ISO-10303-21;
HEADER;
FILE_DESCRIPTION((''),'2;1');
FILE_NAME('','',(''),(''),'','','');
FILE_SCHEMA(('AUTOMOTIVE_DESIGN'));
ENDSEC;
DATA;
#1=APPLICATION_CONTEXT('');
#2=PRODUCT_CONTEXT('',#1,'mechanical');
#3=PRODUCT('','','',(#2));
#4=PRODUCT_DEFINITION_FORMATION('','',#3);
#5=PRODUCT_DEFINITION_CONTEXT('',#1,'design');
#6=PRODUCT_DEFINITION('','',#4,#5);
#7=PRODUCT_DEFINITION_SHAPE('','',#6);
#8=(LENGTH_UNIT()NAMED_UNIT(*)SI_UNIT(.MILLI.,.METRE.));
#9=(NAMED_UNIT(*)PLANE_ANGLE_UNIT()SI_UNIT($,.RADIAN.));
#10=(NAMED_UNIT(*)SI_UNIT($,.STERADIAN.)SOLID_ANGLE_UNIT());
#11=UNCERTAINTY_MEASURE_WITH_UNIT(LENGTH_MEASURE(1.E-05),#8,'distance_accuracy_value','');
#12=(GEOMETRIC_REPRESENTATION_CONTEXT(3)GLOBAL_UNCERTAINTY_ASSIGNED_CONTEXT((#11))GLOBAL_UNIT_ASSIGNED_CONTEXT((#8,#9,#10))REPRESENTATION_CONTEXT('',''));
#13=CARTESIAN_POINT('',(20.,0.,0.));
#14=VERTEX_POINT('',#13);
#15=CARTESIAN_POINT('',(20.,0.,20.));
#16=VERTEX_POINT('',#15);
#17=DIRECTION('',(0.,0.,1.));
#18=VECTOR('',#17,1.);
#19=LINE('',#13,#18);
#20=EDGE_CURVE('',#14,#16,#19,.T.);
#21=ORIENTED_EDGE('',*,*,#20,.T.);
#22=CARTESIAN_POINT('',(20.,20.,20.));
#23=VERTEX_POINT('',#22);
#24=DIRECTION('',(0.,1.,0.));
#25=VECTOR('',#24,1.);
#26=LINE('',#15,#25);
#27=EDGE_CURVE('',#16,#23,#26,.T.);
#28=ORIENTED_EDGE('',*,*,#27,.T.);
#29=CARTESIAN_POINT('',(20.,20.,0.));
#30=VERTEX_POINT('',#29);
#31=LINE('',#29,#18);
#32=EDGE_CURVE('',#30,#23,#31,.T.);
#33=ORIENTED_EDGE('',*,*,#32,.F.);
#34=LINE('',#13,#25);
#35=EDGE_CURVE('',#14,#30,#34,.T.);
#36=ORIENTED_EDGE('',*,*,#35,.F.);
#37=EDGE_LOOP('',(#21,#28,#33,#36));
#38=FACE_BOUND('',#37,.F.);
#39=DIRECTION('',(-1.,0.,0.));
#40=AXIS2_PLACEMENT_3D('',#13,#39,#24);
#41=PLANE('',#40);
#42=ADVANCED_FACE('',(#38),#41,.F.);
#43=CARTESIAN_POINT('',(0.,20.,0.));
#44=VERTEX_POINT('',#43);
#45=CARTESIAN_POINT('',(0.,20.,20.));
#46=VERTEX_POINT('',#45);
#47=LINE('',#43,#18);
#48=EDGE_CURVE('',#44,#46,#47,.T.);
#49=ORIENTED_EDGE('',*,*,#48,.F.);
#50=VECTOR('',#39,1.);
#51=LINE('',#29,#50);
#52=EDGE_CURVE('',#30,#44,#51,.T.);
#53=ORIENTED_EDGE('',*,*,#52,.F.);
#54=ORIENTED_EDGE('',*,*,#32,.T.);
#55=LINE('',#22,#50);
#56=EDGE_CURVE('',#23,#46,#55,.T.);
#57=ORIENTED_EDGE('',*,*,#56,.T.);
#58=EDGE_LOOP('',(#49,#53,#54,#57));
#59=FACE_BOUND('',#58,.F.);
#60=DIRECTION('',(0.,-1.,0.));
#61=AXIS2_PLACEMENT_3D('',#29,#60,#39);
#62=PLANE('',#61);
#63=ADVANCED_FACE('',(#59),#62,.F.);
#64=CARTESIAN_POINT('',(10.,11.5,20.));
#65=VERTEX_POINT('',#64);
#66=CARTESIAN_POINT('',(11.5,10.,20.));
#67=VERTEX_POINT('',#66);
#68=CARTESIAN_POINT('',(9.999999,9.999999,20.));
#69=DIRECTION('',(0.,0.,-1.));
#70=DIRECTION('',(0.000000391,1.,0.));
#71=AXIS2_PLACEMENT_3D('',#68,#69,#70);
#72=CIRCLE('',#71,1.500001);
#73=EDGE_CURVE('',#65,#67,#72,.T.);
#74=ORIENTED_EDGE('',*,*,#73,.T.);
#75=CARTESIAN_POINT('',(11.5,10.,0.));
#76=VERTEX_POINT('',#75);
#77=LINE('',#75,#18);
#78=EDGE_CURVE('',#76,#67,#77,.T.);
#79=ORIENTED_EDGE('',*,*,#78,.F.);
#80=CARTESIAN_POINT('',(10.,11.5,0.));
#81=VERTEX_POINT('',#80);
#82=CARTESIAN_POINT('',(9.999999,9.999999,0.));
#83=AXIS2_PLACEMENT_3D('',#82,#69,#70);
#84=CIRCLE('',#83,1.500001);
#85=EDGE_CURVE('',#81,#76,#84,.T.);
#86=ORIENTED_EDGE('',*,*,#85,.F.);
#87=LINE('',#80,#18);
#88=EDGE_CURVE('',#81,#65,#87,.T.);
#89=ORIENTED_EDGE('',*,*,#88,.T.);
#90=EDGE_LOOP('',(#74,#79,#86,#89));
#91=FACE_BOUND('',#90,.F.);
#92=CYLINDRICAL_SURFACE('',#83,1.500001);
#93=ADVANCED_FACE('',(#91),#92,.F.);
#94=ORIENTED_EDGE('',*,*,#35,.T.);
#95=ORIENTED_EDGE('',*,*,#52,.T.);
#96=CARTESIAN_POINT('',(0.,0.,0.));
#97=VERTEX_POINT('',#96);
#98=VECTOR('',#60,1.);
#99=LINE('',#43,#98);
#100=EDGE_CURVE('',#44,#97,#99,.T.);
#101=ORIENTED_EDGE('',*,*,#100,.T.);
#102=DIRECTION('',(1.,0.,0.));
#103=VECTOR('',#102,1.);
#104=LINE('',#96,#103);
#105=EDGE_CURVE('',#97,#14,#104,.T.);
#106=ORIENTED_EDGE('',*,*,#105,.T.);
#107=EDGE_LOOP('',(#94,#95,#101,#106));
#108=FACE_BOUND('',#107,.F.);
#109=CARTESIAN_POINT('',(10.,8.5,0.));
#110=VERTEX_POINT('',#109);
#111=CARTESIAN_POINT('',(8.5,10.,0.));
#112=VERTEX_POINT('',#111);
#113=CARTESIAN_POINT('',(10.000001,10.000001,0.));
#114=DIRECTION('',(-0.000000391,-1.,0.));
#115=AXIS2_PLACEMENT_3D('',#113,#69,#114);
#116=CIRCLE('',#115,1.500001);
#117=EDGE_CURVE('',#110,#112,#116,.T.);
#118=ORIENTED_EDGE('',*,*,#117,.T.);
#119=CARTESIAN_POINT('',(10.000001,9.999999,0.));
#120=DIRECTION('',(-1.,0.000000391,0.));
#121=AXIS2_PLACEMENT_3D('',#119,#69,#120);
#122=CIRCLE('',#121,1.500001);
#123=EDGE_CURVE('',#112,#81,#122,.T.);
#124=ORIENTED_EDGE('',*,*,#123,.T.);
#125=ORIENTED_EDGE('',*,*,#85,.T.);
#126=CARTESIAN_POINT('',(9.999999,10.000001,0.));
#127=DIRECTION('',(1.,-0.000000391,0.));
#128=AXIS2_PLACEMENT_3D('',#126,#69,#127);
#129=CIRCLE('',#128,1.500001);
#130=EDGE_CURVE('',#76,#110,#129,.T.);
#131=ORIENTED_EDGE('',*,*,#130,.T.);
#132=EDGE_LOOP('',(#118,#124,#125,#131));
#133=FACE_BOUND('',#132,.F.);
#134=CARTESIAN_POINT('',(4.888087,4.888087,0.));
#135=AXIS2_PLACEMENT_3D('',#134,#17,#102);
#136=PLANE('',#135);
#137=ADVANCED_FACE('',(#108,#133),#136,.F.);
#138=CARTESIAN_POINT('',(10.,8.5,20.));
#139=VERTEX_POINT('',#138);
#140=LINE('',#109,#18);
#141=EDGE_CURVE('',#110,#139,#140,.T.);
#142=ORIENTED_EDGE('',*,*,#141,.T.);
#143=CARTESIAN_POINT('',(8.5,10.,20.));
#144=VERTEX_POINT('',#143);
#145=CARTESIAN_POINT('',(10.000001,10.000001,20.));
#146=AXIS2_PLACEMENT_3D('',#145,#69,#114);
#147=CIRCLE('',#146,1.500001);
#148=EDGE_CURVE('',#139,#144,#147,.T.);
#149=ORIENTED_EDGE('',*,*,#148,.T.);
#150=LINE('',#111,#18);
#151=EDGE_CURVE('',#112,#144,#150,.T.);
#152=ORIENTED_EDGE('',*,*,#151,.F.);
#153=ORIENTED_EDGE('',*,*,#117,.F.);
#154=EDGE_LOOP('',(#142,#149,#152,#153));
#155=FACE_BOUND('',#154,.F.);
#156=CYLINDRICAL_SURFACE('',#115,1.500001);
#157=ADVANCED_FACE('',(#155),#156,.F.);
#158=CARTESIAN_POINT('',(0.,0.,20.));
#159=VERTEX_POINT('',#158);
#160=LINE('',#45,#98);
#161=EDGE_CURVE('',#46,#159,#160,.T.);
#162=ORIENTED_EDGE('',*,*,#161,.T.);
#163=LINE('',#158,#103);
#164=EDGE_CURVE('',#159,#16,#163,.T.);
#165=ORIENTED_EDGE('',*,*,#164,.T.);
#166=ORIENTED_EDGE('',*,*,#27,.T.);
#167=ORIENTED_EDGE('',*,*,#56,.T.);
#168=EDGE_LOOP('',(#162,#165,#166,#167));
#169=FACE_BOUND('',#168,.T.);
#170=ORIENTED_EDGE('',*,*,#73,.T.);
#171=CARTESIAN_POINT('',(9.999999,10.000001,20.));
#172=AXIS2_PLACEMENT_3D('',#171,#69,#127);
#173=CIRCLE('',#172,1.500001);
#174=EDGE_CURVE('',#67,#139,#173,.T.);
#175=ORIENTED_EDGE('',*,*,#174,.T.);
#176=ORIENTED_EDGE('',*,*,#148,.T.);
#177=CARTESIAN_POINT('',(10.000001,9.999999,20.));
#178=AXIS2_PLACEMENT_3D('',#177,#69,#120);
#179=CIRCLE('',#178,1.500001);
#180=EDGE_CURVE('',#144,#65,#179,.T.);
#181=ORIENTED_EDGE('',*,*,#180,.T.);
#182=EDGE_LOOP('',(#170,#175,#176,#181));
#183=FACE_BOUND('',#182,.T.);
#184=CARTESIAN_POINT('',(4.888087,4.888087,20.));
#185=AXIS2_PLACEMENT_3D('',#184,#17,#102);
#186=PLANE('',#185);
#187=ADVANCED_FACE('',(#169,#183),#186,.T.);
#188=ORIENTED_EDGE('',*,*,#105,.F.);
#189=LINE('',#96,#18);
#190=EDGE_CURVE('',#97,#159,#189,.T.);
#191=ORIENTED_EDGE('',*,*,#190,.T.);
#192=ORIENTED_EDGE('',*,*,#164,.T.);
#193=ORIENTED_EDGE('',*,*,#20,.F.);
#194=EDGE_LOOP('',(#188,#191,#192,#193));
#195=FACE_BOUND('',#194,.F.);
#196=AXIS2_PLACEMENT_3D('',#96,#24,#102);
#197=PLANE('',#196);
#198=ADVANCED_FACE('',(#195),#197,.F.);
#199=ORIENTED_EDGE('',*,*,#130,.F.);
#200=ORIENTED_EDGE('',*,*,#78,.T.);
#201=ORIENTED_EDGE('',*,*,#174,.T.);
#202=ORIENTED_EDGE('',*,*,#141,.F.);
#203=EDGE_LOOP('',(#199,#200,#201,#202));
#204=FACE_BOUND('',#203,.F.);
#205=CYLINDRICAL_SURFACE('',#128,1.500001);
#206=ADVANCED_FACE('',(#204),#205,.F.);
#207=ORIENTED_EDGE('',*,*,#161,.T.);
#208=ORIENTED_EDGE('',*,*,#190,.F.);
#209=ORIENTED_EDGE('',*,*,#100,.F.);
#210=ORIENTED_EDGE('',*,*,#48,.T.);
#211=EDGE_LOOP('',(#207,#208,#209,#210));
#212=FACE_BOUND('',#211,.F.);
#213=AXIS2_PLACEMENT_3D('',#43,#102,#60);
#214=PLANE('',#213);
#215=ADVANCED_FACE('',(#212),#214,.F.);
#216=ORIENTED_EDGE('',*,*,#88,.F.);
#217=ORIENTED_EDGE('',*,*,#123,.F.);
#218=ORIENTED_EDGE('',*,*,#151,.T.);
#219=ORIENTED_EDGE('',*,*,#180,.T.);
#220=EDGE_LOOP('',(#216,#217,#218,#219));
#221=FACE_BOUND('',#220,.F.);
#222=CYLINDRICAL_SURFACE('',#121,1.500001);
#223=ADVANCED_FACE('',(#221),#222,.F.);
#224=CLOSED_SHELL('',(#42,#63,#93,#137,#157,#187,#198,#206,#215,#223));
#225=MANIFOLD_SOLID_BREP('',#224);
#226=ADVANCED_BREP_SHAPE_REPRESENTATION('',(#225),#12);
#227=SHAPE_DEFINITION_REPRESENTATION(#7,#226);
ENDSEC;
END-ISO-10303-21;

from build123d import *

# Parameters (mm, degrees)
F1_DEPTH = 20


with BuildPart() as f1:
    # F0 (on Top) → F1 (new body)
    with BuildSketch(Plane.XY):
        with BuildLine():
            Line((0, 10), (0, 0))
            Line((0, 0), (10, 0))
            Line((10, 0), (10, 8.5))
            ThreePointArc((10, 8.5), (8.93934, 8.93934), (8.5, 10))
            Line((8.5, 10), (0, 10))
        make_face()
        with BuildLine():
            Line((10, 8.5), (10, 0))
            Line((10, 0), (20, 0))
            Line((20, 0), (20, 10))
            Line((20, 10), (11.5, 10))
            ThreePointArc((11.5, 10), (11.06066, 8.93934), (10, 8.5))
        make_face()
        with BuildLine():
            Line((0, 20), (0, 10))
            Line((0, 10), (8.5, 10))
            ThreePointArc((8.5, 10), (8.93934, 11.06066), (10, 11.5))
            Line((10, 11.5), (10, 20))
            Line((10, 20), (0, 20))
        make_face()
        with BuildLine():
            Line((11.5, 10), (20, 10))
            Line((20, 10), (20, 20))
            Line((20, 20), (10, 20))
            Line((10, 20), (10, 11.5))
            ThreePointArc((10, 11.5), (11.06066, 11.06066), (11.5, 10))
        make_face()
    extrude(amount=F1_DEPTH)


solid = f1.part
